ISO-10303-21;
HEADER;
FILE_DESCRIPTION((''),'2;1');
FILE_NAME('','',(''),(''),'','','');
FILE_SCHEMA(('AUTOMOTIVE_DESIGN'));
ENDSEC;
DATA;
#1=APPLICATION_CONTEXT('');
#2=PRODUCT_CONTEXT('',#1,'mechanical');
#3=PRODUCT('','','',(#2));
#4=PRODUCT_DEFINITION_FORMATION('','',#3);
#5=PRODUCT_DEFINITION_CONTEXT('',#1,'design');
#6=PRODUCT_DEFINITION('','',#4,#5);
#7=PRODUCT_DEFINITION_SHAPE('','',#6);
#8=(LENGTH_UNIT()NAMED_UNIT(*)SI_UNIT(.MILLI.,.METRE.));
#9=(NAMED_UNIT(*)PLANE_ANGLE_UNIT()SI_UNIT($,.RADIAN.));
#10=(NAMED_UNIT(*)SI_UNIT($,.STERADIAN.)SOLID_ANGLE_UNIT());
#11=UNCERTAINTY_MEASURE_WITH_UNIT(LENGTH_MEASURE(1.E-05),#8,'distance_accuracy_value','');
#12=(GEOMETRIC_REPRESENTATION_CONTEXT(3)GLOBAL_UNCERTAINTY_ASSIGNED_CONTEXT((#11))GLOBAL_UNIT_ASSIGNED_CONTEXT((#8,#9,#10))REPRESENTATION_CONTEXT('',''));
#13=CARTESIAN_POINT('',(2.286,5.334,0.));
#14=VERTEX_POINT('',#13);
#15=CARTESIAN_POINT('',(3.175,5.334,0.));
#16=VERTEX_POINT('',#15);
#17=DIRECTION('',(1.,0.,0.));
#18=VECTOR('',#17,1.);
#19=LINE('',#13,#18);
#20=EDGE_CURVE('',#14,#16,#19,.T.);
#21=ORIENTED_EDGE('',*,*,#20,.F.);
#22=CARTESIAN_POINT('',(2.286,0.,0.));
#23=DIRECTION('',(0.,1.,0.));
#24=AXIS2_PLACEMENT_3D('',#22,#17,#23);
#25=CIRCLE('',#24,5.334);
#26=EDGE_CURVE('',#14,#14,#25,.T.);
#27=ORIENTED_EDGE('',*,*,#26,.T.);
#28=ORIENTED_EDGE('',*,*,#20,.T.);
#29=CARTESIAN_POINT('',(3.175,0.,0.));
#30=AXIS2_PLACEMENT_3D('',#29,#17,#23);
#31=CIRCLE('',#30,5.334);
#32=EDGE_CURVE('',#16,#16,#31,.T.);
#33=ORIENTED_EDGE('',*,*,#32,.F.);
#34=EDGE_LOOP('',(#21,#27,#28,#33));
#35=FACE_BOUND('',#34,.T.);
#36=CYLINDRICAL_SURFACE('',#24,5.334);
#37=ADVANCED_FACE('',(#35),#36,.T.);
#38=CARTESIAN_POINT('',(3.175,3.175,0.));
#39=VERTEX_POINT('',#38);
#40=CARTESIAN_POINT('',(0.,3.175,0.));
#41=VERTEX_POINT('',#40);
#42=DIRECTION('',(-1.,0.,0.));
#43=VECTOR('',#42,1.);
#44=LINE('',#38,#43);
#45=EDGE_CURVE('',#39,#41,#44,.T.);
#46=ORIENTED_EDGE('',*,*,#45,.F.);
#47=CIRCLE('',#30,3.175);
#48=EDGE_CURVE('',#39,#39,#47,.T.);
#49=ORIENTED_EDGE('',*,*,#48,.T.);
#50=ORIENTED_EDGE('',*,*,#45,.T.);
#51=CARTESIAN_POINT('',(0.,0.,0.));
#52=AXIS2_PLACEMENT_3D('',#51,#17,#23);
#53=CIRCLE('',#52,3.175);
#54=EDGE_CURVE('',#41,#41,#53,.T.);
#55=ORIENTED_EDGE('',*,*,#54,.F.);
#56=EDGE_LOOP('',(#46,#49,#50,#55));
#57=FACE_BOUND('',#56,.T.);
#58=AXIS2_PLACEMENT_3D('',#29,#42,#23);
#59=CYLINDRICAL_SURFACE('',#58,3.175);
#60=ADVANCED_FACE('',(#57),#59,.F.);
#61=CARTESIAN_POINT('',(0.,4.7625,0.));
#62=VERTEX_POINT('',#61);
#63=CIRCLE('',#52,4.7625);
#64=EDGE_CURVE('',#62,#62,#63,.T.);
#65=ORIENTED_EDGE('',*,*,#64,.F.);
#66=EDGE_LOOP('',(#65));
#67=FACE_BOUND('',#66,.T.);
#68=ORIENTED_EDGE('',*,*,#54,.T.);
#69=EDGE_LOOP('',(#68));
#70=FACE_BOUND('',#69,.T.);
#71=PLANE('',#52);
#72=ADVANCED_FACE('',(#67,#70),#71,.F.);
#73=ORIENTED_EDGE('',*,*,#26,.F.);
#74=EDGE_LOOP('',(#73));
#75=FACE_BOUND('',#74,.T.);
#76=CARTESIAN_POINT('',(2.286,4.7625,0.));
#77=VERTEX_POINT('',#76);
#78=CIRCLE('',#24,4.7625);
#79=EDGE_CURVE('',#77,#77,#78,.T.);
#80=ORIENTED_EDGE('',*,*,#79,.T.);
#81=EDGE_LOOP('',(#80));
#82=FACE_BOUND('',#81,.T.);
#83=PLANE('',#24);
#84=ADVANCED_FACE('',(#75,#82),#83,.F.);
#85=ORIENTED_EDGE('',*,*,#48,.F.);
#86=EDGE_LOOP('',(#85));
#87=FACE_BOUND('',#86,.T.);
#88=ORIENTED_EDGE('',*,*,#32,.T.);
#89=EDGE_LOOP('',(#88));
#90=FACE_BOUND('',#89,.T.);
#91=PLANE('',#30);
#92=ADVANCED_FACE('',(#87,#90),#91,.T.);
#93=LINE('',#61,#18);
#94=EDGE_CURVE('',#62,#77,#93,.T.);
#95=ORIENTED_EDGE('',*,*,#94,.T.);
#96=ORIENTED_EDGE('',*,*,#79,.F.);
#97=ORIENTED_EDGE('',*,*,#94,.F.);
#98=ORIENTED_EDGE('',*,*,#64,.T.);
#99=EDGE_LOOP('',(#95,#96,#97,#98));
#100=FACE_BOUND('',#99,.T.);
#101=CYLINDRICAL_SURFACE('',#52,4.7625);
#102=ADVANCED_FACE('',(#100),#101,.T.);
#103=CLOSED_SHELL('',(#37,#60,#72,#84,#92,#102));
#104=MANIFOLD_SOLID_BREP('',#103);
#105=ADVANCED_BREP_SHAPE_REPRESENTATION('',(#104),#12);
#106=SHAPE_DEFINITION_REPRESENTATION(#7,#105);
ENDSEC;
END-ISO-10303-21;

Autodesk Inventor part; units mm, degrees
ref_plane "YZ Plane" through (0, 0, 0) normal (1, 0, 0) x (0, 1, 0)
ref_plane "XZ Plane" through (0, 0, 0) normal (0, 1, 0) x (-1, 0, 0)
ref_plane "XY Plane" through (0, 0, 0) normal (0, 0, 1) x (1, 0, 0)
sketch "Sketch1" plane through (0, 0, 0) normal (0, 0, 1) x (1, 0, 0)
  line L0 (0, 0) -> (2.4121, 0)
  line L1 (3.175, 3.175) -> (0, 3.175)
  line L2 (0, 3.175) -> (0, 4.7625)
  line L3 (0, 4.7625) -> (2.286, 4.7625)
  line L4 (2.286, 4.7625) -> (2.286, 5.334)
  line L5 (2.286, 5.334) -> (3.175, 5.334)
  line L6 (3.175, 5.334) -> (3.175, 3.175)
  dimension "d0" = 6.35
  dimension "d1" = 9.525
  dimension "d2" = 10.668
  dimension "d3" = 2.286
  dimension "d4" = 0.889
revolve "Revolution1" add sketch "Sketch1" angle 360 about axis through (0, 0, 0) along (1, 0, 0)
properties part number "ActoBotics Bearing .375"
